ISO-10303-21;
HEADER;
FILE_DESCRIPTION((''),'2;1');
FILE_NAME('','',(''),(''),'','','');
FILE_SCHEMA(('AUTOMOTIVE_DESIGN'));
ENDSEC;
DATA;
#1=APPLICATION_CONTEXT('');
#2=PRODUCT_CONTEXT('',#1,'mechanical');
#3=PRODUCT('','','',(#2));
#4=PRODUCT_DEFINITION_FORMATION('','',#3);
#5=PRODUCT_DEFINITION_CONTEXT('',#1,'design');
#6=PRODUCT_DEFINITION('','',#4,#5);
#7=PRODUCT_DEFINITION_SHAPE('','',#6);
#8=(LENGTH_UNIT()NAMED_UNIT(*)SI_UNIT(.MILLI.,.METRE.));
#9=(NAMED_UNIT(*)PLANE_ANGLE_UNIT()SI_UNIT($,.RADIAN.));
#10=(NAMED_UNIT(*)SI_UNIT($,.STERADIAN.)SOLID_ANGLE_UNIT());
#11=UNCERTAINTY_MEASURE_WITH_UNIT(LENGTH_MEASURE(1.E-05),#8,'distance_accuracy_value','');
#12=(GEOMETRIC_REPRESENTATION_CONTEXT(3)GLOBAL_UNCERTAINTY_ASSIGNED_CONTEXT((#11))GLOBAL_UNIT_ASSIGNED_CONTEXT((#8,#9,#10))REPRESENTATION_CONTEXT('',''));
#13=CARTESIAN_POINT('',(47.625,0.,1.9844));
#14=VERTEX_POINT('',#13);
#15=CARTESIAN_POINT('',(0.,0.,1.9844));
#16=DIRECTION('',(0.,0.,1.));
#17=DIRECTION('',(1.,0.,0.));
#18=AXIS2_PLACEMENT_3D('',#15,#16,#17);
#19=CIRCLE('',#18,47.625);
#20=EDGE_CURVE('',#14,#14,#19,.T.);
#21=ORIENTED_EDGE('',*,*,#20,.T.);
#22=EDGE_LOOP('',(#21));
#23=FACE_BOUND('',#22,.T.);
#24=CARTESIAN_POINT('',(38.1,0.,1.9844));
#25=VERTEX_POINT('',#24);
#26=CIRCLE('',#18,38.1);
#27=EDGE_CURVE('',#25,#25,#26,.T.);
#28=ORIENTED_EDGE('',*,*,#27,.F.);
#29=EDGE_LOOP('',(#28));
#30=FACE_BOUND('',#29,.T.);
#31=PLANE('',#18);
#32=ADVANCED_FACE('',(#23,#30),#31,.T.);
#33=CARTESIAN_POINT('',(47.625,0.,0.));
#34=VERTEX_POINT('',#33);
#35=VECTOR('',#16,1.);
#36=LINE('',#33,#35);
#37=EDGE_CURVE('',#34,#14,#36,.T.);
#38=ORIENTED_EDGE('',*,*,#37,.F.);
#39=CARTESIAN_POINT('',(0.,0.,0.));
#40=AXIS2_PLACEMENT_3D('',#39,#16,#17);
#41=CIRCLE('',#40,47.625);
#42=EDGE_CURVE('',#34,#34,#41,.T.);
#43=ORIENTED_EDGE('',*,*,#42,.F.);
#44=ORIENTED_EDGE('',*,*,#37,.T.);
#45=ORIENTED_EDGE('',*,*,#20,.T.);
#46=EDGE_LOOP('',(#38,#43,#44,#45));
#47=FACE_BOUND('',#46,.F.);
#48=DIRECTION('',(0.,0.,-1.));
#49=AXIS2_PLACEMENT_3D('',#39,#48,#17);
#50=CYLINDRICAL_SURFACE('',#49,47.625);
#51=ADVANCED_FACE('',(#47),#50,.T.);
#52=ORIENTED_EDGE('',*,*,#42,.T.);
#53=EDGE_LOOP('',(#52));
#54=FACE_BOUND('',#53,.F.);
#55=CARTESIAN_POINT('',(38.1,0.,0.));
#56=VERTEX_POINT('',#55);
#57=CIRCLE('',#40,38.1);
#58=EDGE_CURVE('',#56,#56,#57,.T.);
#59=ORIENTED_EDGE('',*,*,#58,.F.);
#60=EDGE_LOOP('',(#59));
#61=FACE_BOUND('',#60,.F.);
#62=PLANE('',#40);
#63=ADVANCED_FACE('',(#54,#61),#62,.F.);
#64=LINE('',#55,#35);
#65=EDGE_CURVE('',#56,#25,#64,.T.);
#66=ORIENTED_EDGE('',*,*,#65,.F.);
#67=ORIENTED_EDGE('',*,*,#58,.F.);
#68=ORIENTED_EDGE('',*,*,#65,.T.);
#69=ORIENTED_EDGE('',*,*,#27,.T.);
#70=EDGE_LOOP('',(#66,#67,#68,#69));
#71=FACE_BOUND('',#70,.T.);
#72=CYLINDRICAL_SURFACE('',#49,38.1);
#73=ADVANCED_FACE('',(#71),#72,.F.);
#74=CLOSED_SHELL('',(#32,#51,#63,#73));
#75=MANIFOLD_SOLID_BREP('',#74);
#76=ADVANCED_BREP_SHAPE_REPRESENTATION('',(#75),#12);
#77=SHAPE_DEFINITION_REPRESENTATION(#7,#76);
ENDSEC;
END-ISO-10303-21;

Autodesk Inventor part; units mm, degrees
ref_plane "YZ Plane" through (0, 0, 0) normal (1, 0, 0) x (0, 1, 0)
ref_plane "XZ Plane" through (0, 0, 0) normal (0, 1, 0) x (-1, 0, 0)
ref_plane "XY Plane" through (0, 0, 0) normal (0, 0, 1) x (1, 0, 0)
sketch "Sketch1" plane through (0, 0, 0) normal (0, 0, 1) x (1, 0, 0)
  circle A0 centre (0, 0) radius 38.1
  circle A1 centre (0, 0) radius 47.625
  dimension "d0" = 76.2
  dimension "d1" = 95.25
extrude "Extrusion1" add sketch "Sketch1" along normal blind 1.9844
properties part number "NTA4860 Thrust Bearing"
